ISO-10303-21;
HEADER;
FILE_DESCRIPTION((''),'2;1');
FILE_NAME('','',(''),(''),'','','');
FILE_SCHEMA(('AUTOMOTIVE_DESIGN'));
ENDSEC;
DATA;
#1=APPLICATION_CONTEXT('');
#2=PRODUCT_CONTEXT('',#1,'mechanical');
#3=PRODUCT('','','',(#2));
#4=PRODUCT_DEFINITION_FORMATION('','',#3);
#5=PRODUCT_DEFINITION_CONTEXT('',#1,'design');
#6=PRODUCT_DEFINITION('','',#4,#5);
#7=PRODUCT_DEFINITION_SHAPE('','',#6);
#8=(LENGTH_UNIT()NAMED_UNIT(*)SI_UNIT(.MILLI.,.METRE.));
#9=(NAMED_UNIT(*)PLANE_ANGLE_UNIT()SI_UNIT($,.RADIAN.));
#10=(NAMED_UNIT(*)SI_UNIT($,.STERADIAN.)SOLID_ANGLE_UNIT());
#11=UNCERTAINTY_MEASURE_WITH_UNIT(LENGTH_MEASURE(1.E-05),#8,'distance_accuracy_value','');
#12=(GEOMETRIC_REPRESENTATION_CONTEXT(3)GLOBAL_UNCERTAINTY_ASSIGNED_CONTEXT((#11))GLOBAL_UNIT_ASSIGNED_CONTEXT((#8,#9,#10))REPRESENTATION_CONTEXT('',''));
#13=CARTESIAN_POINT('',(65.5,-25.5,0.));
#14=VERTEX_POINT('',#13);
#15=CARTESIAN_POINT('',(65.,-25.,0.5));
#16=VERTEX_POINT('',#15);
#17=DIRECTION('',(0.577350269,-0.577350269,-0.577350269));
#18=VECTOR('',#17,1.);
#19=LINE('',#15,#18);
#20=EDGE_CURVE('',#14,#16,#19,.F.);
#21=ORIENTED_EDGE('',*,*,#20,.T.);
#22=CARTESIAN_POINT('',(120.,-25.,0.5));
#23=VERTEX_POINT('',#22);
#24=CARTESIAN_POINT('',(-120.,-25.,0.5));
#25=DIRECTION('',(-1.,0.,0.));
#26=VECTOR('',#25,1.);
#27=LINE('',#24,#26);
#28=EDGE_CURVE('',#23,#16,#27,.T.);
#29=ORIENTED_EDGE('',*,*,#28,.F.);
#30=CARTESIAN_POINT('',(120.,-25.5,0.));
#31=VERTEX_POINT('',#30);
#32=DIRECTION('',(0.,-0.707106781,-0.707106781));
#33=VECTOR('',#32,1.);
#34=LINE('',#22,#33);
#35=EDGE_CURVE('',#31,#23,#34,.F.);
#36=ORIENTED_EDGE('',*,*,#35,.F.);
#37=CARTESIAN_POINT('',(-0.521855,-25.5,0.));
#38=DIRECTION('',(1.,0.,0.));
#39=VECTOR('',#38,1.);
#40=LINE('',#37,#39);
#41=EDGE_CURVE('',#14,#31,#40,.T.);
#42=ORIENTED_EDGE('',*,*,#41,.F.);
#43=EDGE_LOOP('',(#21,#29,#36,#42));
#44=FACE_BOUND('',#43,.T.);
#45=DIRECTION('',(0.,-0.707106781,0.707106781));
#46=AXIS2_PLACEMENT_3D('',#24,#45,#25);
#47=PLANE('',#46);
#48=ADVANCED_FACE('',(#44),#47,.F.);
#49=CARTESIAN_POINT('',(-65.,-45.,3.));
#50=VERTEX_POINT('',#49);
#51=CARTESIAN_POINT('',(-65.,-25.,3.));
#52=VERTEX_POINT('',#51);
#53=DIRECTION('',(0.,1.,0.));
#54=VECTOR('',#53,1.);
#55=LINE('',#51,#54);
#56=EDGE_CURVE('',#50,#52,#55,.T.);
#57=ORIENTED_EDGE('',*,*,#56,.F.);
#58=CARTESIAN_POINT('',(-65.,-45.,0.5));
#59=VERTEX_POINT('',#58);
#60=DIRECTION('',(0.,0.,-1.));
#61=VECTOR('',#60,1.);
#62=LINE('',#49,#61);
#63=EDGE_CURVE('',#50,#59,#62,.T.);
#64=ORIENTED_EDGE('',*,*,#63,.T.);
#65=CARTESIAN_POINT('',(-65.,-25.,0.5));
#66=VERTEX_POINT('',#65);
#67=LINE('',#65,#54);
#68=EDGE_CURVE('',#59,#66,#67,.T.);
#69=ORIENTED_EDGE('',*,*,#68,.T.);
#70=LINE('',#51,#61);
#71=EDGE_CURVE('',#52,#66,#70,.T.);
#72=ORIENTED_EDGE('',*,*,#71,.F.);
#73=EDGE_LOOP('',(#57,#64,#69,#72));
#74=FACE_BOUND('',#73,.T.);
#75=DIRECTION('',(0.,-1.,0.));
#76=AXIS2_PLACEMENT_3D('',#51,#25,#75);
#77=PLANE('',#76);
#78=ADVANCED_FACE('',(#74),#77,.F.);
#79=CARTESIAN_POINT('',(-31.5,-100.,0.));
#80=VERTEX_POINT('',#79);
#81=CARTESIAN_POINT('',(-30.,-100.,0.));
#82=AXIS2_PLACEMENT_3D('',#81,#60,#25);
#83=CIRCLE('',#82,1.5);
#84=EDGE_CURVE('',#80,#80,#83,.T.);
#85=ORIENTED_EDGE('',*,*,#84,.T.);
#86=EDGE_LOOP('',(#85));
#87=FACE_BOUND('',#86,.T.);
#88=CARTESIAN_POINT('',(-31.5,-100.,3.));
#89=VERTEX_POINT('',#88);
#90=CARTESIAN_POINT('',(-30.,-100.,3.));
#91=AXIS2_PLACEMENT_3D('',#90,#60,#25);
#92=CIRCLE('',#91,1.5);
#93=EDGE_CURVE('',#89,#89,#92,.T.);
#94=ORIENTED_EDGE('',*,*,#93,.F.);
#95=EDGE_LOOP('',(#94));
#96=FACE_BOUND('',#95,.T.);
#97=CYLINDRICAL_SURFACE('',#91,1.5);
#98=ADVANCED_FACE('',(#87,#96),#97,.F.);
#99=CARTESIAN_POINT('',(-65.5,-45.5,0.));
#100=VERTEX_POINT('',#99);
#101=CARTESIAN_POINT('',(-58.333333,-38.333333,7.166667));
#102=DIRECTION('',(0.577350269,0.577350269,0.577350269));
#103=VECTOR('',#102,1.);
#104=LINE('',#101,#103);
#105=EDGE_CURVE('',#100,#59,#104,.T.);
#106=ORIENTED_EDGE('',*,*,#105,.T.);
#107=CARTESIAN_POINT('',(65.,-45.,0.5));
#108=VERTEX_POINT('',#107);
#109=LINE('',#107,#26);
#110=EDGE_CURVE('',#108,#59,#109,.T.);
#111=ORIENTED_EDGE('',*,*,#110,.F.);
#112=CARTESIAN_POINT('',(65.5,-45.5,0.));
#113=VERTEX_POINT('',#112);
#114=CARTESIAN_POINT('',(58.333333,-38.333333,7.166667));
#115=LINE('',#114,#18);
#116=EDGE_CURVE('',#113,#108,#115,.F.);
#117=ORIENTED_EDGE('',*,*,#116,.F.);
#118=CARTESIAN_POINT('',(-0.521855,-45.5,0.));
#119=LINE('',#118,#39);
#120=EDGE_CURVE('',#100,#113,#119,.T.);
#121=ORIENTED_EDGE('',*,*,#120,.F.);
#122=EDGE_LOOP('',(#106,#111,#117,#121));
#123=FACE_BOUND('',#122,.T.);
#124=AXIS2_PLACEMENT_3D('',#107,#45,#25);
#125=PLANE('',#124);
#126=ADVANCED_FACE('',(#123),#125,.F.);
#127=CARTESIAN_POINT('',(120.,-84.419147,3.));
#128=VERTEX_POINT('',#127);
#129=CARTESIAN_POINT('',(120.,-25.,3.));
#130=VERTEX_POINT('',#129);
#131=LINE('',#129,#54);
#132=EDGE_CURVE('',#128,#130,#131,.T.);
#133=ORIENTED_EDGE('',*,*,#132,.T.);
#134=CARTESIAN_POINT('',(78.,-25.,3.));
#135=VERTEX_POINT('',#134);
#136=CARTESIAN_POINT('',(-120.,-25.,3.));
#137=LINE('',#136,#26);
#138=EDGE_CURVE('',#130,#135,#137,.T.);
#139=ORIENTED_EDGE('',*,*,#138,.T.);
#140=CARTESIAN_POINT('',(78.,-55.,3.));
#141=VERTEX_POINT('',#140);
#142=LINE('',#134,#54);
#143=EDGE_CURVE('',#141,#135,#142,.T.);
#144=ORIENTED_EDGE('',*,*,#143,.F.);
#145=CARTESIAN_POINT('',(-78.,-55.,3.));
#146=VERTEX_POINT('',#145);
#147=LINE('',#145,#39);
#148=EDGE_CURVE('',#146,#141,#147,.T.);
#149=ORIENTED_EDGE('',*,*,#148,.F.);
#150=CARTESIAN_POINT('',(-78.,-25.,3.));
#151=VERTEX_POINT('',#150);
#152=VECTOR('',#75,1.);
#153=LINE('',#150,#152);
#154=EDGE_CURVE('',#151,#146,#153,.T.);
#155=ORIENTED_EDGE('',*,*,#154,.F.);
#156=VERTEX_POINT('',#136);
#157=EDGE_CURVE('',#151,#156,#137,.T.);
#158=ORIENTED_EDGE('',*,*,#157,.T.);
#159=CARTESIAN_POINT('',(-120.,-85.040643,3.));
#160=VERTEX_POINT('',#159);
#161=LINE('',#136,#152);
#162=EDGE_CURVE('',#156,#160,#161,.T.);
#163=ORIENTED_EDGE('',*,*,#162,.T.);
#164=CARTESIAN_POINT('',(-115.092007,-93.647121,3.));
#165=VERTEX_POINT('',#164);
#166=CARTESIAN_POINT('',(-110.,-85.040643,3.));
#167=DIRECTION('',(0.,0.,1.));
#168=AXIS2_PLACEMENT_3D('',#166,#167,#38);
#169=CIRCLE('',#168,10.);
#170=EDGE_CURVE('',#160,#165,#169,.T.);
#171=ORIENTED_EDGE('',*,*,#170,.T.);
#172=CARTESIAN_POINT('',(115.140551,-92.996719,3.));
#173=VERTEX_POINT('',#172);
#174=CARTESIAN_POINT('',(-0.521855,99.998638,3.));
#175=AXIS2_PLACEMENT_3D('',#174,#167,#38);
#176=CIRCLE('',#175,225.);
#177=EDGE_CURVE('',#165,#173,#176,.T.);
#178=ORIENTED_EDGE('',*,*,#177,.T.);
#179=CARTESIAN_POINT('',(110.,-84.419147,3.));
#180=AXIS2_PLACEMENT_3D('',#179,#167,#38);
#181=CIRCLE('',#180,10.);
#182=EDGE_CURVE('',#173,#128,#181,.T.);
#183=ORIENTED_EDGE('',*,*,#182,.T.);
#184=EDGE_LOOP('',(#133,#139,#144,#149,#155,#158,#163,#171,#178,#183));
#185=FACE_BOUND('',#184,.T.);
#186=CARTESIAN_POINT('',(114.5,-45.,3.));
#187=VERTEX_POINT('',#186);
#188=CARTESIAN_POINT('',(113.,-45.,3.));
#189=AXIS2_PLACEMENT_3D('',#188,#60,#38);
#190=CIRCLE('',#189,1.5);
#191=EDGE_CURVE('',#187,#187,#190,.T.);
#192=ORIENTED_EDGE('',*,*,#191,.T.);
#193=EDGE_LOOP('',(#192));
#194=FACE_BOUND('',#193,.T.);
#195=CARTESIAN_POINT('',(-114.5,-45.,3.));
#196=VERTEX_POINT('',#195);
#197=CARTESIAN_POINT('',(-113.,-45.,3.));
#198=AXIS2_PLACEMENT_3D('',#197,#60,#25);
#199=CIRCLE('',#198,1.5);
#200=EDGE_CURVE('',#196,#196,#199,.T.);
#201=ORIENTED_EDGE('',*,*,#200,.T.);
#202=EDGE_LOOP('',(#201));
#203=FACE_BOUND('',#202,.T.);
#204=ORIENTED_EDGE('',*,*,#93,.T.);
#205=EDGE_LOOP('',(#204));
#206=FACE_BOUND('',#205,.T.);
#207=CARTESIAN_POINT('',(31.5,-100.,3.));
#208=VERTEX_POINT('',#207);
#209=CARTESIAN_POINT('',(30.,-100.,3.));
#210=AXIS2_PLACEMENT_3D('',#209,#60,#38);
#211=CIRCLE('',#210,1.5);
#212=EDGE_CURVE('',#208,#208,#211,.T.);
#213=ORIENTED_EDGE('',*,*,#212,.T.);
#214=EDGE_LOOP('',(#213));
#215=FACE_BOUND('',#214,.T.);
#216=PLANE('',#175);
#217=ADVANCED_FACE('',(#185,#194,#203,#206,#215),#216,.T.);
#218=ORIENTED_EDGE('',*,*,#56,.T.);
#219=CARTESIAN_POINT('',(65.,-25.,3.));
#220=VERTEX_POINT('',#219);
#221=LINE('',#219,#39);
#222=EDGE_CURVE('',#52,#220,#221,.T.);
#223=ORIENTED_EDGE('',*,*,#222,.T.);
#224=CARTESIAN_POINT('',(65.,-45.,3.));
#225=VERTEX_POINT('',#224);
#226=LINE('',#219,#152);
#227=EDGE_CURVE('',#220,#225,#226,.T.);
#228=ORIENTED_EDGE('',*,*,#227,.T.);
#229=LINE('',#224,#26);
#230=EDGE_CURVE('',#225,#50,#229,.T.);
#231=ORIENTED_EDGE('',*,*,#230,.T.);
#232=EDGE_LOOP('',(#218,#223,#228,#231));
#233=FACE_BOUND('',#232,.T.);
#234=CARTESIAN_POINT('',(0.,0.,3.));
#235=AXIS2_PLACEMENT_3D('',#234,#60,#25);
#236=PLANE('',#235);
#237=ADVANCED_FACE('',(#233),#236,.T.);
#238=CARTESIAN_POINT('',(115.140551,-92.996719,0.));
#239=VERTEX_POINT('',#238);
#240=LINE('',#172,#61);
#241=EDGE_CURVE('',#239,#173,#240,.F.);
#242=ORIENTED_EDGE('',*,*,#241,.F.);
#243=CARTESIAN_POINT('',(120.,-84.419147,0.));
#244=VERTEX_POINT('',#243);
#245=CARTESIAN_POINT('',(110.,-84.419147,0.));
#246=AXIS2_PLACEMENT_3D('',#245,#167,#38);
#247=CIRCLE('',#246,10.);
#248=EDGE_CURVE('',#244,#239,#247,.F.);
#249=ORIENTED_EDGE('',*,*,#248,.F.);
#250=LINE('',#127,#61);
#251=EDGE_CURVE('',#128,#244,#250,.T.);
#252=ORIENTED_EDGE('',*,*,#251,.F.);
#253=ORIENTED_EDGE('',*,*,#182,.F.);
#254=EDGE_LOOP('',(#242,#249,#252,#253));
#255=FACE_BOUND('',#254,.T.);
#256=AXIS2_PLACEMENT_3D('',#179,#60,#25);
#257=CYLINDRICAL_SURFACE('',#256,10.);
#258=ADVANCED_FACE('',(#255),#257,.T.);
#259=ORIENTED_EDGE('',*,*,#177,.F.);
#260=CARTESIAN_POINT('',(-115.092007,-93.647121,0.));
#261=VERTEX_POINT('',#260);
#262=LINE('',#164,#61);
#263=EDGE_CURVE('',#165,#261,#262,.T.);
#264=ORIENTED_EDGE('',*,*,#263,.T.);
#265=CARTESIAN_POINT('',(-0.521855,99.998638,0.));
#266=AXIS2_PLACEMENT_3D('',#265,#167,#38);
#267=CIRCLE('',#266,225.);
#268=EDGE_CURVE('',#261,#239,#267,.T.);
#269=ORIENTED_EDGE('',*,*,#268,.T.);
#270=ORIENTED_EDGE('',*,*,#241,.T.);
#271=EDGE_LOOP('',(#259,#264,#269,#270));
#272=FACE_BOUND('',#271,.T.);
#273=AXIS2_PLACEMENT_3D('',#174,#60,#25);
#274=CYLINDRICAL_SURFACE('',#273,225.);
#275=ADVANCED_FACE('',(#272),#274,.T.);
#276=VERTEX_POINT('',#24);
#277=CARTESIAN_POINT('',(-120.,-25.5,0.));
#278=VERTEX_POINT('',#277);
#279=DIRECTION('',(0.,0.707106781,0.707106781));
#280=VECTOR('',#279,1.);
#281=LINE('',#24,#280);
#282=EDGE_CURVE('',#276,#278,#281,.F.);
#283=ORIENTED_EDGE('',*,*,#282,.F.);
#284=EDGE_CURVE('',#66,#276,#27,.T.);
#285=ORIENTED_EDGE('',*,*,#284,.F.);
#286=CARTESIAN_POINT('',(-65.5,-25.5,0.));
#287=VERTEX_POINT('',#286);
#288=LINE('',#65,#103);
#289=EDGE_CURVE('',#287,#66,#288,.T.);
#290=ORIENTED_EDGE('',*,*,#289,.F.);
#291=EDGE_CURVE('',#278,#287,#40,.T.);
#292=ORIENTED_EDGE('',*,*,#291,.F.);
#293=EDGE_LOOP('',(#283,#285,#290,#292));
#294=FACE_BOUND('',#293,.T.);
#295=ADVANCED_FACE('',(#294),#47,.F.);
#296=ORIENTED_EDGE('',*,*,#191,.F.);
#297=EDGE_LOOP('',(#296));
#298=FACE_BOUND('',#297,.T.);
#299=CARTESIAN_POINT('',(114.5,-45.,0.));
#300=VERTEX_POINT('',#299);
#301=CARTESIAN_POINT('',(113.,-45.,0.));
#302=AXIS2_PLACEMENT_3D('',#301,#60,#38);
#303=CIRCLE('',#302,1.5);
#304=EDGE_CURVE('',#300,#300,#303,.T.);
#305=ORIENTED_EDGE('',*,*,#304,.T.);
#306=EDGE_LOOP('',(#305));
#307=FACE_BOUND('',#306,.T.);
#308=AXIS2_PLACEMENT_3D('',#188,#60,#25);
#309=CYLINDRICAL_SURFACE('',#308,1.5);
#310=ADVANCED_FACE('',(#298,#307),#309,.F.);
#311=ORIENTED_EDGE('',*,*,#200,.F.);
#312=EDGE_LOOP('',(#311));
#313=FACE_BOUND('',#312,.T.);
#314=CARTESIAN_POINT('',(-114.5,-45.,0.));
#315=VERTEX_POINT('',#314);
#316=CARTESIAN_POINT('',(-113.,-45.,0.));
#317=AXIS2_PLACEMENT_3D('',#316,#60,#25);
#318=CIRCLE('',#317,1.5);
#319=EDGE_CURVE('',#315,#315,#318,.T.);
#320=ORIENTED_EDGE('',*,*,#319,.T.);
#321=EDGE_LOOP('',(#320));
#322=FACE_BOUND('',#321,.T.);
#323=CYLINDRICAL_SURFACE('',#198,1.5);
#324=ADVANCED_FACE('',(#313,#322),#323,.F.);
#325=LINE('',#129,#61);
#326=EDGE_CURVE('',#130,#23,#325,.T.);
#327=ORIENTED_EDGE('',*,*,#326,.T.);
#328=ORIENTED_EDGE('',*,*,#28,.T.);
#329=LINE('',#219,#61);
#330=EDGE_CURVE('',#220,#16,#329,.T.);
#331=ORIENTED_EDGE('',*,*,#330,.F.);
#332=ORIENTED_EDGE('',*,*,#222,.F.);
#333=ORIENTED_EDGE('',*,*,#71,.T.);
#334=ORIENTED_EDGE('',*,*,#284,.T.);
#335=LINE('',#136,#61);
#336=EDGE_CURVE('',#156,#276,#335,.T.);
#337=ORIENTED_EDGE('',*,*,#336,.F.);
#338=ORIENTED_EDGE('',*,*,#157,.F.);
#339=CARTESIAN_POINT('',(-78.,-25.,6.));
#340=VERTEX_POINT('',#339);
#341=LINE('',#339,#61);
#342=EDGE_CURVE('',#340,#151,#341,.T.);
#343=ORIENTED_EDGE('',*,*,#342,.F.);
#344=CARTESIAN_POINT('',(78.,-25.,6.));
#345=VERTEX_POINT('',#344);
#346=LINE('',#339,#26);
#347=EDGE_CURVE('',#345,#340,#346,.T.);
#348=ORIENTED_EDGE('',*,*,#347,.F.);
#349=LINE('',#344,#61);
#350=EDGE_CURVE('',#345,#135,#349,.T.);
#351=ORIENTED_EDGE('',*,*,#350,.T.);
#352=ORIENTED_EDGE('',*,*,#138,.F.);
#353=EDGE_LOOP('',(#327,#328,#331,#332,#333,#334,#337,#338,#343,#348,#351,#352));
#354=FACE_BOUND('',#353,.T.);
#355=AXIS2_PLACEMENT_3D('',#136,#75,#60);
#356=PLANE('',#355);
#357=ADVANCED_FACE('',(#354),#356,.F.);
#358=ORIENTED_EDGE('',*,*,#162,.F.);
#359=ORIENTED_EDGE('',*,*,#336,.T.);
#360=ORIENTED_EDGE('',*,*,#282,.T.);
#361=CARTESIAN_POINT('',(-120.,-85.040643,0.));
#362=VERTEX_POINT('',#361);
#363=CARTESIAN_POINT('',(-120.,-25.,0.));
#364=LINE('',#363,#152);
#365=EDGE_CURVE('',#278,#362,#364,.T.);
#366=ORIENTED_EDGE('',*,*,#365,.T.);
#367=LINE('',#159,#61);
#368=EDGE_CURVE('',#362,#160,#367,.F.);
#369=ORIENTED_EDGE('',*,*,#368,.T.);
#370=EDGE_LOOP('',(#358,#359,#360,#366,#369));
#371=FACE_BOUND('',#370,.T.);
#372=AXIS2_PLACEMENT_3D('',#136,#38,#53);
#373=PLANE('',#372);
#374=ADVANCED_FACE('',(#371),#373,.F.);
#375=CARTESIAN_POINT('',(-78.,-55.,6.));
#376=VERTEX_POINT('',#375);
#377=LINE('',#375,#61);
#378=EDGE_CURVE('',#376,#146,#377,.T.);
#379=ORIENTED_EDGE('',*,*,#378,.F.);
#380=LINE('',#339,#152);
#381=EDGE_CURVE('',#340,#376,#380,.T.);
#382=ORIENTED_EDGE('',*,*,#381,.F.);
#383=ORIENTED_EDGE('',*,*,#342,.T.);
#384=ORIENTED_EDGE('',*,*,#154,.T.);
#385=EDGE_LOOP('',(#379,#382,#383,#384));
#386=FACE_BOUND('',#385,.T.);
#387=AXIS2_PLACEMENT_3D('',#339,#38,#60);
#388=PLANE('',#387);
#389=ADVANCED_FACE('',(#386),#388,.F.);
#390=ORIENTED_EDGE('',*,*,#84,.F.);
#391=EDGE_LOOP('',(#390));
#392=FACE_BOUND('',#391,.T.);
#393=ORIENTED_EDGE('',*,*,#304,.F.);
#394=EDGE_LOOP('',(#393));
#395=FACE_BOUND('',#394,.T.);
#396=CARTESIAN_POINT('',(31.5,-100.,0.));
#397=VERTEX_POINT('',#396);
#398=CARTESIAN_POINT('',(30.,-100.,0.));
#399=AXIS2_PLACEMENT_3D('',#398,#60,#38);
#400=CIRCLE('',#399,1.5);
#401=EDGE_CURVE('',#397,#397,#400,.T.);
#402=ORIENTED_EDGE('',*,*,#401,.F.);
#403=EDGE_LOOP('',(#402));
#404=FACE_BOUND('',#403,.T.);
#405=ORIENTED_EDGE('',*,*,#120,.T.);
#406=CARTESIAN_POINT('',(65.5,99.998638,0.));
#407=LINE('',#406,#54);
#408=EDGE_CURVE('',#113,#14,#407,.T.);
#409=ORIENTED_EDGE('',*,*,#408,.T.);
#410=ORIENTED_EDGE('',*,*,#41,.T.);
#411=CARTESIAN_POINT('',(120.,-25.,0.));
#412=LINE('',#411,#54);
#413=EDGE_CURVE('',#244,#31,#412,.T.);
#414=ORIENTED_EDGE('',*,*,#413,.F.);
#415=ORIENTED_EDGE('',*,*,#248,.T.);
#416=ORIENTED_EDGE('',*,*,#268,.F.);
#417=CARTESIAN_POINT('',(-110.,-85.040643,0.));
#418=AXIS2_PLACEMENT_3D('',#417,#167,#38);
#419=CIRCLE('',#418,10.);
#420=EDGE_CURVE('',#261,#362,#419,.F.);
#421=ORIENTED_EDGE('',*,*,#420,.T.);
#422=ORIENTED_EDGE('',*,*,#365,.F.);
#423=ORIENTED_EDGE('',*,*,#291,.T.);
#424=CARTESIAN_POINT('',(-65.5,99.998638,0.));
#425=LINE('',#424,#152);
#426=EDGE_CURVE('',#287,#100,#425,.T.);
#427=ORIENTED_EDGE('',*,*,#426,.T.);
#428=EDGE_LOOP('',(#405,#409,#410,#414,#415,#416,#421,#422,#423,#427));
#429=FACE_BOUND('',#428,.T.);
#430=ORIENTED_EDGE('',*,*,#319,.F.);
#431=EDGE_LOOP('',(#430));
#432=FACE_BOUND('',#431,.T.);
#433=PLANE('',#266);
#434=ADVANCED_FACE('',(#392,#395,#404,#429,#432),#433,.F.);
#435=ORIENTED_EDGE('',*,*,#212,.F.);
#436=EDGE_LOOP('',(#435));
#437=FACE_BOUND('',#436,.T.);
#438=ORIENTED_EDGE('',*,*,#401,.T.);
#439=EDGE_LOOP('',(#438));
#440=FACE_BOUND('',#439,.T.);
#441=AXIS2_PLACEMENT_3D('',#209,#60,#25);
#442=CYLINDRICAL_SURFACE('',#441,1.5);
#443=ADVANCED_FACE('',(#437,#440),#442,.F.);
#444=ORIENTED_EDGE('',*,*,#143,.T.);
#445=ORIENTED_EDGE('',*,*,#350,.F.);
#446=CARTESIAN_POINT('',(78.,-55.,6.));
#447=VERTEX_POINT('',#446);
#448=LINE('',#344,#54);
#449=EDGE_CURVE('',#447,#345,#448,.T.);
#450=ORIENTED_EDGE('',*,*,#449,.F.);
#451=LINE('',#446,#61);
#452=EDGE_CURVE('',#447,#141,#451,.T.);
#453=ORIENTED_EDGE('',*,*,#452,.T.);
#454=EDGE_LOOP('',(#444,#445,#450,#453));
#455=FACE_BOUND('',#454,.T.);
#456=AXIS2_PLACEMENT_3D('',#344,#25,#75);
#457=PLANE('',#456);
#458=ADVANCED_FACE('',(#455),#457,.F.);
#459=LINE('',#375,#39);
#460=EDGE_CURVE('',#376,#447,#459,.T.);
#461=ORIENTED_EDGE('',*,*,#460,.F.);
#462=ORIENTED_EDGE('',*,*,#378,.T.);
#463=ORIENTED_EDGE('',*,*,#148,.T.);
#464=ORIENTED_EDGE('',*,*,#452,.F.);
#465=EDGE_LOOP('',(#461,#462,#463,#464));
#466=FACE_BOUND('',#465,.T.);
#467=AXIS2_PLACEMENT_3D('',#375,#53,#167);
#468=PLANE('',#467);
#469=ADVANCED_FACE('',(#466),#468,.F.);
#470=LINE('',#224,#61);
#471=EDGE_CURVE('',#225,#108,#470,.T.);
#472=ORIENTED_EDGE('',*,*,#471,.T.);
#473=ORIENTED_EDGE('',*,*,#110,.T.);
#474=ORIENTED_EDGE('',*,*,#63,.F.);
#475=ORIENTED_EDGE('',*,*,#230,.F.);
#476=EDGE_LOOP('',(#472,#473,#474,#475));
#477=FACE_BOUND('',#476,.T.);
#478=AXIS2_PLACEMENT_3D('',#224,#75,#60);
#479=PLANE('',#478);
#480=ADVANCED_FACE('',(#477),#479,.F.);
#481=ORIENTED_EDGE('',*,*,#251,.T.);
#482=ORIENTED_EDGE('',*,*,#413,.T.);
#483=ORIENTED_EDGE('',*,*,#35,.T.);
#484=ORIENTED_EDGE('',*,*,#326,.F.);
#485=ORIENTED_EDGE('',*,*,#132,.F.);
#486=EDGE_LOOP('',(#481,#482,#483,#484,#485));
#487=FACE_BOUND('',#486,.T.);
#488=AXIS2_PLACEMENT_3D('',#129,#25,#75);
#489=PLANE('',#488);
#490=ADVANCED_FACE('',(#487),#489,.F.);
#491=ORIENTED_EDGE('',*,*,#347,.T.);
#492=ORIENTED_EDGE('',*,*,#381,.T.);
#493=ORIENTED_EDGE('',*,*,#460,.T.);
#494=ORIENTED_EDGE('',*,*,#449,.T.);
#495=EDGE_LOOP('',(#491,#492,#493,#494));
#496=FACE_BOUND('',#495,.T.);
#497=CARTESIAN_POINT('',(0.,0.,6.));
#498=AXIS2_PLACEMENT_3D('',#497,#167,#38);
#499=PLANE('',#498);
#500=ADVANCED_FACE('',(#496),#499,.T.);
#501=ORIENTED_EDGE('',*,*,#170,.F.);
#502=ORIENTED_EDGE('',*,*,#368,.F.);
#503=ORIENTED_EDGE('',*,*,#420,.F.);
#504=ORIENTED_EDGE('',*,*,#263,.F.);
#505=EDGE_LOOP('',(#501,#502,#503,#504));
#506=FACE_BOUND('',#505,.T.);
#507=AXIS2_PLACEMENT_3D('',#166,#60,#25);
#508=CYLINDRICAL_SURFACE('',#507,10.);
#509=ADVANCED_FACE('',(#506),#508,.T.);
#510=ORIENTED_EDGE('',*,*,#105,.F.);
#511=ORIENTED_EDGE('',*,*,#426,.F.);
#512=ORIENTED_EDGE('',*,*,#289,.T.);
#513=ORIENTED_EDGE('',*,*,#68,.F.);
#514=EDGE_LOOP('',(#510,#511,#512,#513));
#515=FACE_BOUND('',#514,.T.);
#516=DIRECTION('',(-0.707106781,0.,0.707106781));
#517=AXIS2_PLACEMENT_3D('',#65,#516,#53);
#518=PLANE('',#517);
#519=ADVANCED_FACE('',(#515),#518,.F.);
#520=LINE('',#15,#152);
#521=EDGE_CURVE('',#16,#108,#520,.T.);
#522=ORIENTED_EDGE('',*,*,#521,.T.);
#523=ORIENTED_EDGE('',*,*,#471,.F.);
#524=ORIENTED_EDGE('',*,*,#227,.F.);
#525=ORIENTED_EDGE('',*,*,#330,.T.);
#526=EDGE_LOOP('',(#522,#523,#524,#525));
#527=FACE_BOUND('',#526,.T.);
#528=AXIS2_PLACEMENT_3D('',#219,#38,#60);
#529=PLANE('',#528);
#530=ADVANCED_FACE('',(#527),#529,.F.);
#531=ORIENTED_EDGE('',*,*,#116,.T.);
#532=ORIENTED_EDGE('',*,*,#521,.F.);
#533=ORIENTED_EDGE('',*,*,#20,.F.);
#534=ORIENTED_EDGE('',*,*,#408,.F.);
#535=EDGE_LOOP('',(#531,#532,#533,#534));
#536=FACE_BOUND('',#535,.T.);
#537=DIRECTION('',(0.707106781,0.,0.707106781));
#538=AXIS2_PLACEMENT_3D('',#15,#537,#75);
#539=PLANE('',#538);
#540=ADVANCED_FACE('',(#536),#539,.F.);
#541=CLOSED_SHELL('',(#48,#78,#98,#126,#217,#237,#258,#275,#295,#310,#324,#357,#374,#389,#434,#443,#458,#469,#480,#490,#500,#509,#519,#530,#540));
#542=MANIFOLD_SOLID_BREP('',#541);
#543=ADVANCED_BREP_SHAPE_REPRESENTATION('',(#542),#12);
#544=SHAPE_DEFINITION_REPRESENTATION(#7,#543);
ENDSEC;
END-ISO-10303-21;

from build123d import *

# Parameters (mm, degrees)
EXTRUDE_1_DEPTH     = 3
SKETCH_2_W          = 156
SKETCH_2_H          = 30
EXTRUDE_2_DEPTH     = 3
SKETCH_3_R          = 1.5
CUT_EXTRUDE_1_DEPTH = 3
SKETCH_4_W          = 130
SKETCH_4_H          = 20
CUT_EXTRUDE_2_DEPTH = 3
FILLET_1_R          = 10
CHAMFER_1_SIZE      = 0.5


with BuildPart() as part:
    # 草图1 → 凸台-拉伸1 (new body)
    with BuildSketch(Plane.XY):
        with BuildLine():
            Line((-120, -25), (120, -25))
            Line((120, -25), (120, -90))
            ThreePointArc((120, -90), (0.09506488, -125.000515914), (-120, -90.658049905))
            Line((-120, -90.658049905), (-120, -25))
        make_face()
    extrude(amount=EXTRUDE_1_DEPTH)

    # 草图2 → 凸台-拉伸2 (add)
    with BuildSketch(Plane.XY.offset(3)):
        with Locations((0, -40)):
            Rectangle(SKETCH_2_W, SKETCH_2_H)
    extrude(amount=EXTRUDE_2_DEPTH)

    # 草图3 → 切除-拉伸1 (cut)
    with BuildSketch(Plane(origin=(0, 0, 0), x_dir=(-1, 0, 0), z_dir=(0, 0, -1))):
        with Locations((30, -100)):
            Circle(SKETCH_3_R)
        with Locations((113, -45)):
            Circle(SKETCH_3_R)
        with Locations(Location((-113, -45, 0), (0, 0, 180))):
            Circle(SKETCH_3_R)
        with Locations(Location((-30, -100, 0), (0, 0, 180))):
            Circle(SKETCH_3_R)
    extrude(amount=-CUT_EXTRUDE_1_DEPTH, mode=Mode.SUBTRACT)

    # 草图4 → 切除-拉伸2 (cut)
    with BuildSketch(Plane(origin=(0, 0, 0), x_dir=(-1, 0, 0), z_dir=(0, 0, -1))):
        with Locations((0, -35)):
            Rectangle(SKETCH_4_W, SKETCH_4_H)
    extrude(amount=-CUT_EXTRUDE_2_DEPTH, mode=Mode.SUBTRACT)

    # 圆角1
    fillet_1_edges = [part.edges().sort_by_distance(p)[0] for p in [
        (120, -90, 1.5),
        (-120, -90.658049905, 1.5),
    ]]
    fillet(fillet_1_edges, radius=FILLET_1_R)

    # 倒角1
    chamfer_1_edges = [part.edges().sort_by_distance(p)[0] for p in [
        (-92.5, -25, 0),
        (92.5, -25, 0),
        (65, -35, 0),
        (0, -45, 0),
        (-65, -35, 0),
    ]]
    chamfer(chamfer_1_edges, length=CHAMFER_1_SIZE)


solid = part.part
